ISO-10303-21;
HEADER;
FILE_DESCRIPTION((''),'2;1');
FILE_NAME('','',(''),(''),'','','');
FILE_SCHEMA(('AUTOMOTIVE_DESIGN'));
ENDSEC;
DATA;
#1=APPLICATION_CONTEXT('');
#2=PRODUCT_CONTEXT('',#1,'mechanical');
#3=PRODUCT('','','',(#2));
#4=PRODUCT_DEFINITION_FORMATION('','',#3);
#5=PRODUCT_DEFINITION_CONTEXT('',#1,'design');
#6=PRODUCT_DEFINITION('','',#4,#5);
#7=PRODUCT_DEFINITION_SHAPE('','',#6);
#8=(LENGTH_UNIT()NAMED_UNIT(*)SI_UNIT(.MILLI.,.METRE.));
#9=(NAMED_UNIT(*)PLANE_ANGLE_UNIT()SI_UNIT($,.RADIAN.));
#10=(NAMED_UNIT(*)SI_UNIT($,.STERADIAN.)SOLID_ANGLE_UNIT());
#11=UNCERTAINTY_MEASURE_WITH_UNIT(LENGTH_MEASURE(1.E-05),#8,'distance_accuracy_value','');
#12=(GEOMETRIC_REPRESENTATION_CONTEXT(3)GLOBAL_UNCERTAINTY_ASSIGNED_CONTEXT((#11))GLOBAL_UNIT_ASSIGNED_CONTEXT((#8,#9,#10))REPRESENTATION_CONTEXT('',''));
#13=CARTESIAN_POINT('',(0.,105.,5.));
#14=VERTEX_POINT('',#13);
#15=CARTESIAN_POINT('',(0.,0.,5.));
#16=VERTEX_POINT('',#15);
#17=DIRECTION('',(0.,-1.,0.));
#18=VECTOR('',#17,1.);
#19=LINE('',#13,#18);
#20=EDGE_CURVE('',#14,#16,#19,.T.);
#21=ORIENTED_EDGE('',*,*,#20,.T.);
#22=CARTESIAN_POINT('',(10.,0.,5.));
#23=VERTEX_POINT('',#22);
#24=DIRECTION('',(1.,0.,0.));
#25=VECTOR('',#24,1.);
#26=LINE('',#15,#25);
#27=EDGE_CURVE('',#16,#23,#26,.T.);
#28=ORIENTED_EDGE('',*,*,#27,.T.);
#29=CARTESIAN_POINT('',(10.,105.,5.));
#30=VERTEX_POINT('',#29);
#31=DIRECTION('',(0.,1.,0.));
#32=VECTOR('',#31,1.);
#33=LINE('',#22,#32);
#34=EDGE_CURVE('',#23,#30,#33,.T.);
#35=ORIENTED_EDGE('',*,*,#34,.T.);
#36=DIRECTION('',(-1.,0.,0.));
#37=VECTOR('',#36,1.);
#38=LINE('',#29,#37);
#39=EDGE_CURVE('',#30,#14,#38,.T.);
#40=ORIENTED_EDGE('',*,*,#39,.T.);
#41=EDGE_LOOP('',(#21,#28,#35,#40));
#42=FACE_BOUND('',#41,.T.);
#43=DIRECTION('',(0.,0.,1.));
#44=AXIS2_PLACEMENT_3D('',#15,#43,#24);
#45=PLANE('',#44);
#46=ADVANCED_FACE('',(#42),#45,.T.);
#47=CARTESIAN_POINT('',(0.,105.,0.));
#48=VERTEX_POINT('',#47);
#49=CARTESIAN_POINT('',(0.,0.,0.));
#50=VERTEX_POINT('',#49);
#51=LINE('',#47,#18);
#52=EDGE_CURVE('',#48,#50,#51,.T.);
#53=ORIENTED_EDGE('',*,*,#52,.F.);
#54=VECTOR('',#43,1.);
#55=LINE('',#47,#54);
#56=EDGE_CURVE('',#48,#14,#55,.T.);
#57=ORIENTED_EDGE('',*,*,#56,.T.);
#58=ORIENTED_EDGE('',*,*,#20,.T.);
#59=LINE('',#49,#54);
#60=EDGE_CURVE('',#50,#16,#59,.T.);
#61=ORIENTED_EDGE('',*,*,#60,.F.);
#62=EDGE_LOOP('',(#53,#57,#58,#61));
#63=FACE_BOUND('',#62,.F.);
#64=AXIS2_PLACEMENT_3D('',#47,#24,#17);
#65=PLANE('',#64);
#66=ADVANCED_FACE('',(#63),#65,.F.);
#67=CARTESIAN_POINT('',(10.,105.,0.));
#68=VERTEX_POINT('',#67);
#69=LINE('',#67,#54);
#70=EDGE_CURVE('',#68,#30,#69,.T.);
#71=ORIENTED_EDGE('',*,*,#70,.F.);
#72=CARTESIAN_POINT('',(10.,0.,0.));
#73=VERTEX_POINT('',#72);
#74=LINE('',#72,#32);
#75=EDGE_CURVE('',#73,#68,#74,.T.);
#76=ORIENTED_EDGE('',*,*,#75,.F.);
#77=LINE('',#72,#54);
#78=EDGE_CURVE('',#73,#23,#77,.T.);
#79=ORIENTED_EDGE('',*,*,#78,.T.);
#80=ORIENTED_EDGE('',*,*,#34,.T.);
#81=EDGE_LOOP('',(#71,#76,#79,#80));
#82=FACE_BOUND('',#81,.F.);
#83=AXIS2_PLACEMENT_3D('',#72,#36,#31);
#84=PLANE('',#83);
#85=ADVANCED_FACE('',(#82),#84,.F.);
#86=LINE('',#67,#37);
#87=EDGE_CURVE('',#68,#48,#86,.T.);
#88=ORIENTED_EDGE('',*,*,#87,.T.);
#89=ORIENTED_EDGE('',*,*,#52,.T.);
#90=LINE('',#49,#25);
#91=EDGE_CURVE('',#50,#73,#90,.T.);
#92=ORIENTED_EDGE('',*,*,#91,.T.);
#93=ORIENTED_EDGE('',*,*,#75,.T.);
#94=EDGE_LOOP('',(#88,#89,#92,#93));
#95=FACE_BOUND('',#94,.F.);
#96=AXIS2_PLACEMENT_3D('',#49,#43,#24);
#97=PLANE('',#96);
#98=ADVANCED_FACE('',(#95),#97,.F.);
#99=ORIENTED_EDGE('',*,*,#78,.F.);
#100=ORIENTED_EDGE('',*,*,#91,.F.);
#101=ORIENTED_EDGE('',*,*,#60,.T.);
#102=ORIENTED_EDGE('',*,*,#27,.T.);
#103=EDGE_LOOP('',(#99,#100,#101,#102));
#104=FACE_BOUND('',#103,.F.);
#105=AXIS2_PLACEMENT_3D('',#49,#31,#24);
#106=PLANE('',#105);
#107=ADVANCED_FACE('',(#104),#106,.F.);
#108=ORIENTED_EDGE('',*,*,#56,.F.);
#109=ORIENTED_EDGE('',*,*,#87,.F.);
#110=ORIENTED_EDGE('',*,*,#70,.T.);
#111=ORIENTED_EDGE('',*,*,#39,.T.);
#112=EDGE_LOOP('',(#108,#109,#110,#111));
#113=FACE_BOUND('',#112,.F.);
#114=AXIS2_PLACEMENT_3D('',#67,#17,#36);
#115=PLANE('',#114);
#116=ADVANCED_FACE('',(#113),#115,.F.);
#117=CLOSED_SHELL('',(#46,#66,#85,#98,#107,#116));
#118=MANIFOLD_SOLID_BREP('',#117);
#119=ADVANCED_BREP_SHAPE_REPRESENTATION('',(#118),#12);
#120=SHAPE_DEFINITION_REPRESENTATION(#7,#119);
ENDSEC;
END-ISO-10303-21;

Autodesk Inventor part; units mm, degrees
ref_plane "YZ Plane" through (0, 0, 0) normal (1, 0, 0) x (0, 1, 0)
ref_plane "XZ Plane" through (0, 0, 0) normal (0, 1, 0) x (-1, 0, 0)
ref_plane "XY Plane" through (0, 0, 0) normal (0, 0, 1) x (1, 0, 0)
sketch "Sketch1" plane through (0, 0, 0) normal (0, 0, 1) x (1, 0, 0)
  line L0 (0, 0) -> (10, 0)
  line L1 (10, 0) -> (10, 105)
  line L2 (10, 105) -> (0, 105)
  line L3 (0, 105) -> (0, 0)
  dimension "d0" = 10
  dimension "d1" = 105
extrude "Extrusion1" add sketch "Sketch1" along normal blind 5
equation "\"d0\" = bracketw"
equation "\"d1\" = sensorsupportl + pvct"
equation "\"d2\" = pvct"
equation "\"lcsd\" = 19.05"
equation "\"lcwd1\" = 25"
equation "\"lcwd2\" = 34"
equation "\"lch1\" = 39"
equation "\"lcwd3\" = 43"
equation "\"dia1\" = 6"
equation "\"td\" = 18"
equation "\"bhh\" = 6"
equation "\"sw\" = 25"
equation "\"sh\" = 31"
equation "\"spacert\" = 2"
equation "\"pvct\" = 5"
equation "\"tankl\" = 379"
equation "\"dia3\" = 8"
equation "\"dia4\" = 11"
equation "\"play\" = 9"
equation "\"holeh\" = 26"
equation "\"surroundt\" = 5"
equation "\"slack\" = 0.5"
equation "\"play2\" = 3"
equation "\"diaoverflow\" = 25"
equation "\"diacucl\" = 32"
equation "\"diawater\" = 25"
equation "\"diaph\" = 32"
equation "\"diaair\" = 32"
equation "\"diasurroundhole\" = 42"
equation "\"diagrate\" = 12"
equation "\"sensorsupportl\" = 100"
equation "\"gratespacing\" = 12.02082"
equation "\"bottomdist\" = 9.6355"
equation "\"sidedist\" = 13.9375"
equation "\"diahcl\" = 32"
equation "\"bracketw\" = 10"
equation "\"bracketwbottom\" = 6"
equation "\"nett\" = 1"
equation "\"nethole\" = 16"
equation "\"nettop\" = 7"
equation "\"netside\" = 3.5"
equation "\"netholespacing\" = 2"
equation "\"diaetape\" = 32"
properties part number "tank_front" material "PVC-Piping"
